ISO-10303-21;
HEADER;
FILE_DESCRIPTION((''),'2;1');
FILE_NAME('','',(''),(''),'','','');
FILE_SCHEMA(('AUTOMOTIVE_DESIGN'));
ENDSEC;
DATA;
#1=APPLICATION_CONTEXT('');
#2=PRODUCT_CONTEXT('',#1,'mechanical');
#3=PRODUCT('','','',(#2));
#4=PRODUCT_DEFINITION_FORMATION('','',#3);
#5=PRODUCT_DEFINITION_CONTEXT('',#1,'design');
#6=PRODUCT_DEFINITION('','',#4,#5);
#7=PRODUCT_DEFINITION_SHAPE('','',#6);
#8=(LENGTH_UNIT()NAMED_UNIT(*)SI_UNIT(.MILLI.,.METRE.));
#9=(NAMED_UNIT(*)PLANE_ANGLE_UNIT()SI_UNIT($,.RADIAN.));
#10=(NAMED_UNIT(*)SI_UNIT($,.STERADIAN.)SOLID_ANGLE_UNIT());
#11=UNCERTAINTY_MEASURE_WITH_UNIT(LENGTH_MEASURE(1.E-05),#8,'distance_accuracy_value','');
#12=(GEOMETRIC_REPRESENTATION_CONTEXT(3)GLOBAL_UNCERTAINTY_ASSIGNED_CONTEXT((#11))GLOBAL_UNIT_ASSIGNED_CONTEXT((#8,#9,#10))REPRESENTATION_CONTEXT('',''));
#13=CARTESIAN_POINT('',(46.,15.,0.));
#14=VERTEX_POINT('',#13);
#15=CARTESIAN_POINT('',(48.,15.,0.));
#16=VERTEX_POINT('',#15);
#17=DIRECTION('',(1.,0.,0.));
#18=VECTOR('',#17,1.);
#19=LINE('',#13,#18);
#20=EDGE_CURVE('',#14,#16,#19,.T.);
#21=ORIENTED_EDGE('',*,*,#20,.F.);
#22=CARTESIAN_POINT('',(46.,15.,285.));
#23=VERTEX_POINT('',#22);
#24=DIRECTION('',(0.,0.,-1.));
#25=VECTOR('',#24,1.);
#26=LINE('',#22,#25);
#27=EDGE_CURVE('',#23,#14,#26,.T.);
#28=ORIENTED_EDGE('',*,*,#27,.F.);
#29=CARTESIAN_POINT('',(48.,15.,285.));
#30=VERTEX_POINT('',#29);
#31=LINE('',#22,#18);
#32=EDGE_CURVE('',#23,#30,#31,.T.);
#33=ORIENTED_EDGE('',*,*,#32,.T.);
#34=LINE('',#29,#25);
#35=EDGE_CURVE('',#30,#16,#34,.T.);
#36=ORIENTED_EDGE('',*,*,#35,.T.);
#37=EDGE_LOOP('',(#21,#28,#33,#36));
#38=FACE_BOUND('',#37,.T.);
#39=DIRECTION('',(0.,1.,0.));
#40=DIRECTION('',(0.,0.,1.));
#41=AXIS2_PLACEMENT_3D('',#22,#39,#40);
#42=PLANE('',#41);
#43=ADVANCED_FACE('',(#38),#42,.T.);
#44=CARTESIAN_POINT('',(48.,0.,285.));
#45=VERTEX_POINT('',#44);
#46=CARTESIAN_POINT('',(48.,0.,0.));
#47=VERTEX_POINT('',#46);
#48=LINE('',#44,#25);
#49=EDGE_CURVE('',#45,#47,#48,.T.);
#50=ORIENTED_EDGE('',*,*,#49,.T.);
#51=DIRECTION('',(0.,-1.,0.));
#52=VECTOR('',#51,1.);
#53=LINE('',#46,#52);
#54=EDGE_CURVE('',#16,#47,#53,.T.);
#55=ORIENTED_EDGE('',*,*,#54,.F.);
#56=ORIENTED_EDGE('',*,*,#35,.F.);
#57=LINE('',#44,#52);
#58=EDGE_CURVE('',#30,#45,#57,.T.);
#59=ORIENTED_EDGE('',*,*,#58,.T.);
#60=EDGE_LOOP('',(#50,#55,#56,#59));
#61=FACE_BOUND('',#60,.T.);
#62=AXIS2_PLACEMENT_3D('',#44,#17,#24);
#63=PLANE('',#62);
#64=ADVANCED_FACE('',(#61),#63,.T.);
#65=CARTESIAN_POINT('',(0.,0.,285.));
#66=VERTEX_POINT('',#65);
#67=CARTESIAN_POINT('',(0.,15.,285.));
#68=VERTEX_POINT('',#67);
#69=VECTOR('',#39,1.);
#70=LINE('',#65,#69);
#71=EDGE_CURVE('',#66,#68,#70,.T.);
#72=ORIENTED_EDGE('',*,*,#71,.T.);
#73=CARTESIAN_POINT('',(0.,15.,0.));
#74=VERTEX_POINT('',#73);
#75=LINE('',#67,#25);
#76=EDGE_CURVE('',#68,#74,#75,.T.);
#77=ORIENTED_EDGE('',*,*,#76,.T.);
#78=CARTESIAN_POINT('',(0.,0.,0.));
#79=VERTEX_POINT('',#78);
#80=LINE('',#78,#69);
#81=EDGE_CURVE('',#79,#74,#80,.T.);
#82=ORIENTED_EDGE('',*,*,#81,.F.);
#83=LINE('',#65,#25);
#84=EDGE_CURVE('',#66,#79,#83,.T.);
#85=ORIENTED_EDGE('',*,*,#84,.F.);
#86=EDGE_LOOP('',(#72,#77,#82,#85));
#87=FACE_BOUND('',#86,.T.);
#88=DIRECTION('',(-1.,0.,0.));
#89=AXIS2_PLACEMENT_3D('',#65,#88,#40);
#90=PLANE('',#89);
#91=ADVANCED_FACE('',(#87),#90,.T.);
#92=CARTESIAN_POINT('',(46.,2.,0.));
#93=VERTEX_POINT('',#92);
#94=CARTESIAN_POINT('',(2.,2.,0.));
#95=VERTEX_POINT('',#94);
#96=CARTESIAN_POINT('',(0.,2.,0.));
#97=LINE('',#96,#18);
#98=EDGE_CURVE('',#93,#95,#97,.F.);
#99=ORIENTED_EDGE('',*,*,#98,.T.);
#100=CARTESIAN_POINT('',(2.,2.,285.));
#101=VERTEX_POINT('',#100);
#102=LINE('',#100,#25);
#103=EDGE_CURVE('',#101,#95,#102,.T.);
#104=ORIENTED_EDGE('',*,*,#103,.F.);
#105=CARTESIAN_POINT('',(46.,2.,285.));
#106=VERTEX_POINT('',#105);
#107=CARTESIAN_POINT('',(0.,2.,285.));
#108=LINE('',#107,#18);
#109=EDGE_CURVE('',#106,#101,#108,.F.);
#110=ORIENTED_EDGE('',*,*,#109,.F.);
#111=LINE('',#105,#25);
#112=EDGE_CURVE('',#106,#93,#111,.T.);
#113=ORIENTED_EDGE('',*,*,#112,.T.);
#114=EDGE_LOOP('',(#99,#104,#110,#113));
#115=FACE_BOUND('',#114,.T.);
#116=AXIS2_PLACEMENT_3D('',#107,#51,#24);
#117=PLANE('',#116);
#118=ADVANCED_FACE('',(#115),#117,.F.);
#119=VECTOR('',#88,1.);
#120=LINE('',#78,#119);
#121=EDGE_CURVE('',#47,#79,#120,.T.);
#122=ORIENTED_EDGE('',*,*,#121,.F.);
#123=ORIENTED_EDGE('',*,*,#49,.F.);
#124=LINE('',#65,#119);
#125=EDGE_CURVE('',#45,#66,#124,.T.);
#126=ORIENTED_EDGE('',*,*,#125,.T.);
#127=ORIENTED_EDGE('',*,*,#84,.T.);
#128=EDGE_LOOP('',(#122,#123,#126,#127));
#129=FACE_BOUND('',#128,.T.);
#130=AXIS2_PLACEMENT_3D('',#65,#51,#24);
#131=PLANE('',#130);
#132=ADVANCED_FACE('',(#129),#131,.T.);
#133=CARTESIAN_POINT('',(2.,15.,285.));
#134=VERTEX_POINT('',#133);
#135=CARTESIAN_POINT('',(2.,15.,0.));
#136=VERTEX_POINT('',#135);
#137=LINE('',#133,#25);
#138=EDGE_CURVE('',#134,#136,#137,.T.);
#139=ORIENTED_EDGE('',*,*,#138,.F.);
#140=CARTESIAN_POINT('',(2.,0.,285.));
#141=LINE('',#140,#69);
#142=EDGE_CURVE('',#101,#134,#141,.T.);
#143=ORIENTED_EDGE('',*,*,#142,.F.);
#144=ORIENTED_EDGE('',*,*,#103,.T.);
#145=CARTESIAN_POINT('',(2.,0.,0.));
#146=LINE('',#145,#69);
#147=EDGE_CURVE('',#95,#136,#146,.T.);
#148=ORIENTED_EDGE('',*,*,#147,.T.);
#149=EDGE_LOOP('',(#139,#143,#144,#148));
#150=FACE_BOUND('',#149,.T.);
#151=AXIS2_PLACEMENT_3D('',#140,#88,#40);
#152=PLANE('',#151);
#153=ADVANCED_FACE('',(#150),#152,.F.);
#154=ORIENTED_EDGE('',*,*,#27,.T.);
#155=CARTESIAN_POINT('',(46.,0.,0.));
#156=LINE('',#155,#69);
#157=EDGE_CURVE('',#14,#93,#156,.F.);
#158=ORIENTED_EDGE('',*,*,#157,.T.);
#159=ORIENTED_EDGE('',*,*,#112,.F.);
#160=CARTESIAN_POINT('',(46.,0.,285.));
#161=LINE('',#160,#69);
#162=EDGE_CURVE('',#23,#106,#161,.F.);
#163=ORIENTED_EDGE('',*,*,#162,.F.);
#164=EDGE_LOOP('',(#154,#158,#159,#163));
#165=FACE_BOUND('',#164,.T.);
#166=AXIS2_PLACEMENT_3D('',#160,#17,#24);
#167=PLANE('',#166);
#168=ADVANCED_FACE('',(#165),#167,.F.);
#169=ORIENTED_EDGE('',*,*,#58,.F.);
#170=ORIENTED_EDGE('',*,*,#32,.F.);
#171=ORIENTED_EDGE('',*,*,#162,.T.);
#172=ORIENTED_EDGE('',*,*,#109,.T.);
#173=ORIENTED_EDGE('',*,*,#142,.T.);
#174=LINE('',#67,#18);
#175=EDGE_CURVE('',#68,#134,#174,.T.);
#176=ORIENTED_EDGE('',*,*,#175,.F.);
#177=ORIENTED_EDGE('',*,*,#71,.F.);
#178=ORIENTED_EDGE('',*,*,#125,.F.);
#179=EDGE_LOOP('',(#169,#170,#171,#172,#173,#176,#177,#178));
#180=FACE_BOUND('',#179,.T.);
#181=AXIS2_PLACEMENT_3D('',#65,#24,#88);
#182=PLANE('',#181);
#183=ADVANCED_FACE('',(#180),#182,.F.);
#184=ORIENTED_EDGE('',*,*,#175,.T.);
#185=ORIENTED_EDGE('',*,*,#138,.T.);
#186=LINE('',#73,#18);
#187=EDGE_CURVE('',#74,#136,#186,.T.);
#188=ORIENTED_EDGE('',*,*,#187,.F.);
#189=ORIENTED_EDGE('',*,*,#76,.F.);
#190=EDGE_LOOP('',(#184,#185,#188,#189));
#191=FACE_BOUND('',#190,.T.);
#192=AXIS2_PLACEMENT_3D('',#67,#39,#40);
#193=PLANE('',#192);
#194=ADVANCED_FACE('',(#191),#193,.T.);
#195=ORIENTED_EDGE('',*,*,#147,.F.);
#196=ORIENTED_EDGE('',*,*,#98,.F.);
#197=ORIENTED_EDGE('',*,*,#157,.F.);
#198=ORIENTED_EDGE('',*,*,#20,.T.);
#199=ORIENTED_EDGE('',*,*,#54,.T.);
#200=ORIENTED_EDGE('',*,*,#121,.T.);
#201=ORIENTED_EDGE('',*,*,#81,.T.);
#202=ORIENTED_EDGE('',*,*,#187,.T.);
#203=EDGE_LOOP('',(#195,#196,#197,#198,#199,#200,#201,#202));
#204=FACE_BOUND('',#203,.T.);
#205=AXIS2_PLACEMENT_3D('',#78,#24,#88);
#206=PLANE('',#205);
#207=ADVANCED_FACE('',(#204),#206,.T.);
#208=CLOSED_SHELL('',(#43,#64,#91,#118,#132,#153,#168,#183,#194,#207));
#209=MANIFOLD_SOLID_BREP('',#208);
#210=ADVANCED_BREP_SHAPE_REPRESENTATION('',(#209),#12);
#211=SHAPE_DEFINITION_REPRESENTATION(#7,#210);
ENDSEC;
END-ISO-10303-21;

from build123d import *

# Parameters (mm, degrees)
EXTRUDE_THIN1_DEPTH = 285


with BuildPart() as part:
    # Sketch1 → Extrude-Thin1 (new body)
    with BuildSketch(Plane.XY):
        Polygon((0, 15), (0, 0), (48, 0), (48, 15), (46, 15), (46, 2), (2, 2), (2, 15), align=None)
    extrude(amount=EXTRUDE_THIN1_DEPTH)


solid = part.part
